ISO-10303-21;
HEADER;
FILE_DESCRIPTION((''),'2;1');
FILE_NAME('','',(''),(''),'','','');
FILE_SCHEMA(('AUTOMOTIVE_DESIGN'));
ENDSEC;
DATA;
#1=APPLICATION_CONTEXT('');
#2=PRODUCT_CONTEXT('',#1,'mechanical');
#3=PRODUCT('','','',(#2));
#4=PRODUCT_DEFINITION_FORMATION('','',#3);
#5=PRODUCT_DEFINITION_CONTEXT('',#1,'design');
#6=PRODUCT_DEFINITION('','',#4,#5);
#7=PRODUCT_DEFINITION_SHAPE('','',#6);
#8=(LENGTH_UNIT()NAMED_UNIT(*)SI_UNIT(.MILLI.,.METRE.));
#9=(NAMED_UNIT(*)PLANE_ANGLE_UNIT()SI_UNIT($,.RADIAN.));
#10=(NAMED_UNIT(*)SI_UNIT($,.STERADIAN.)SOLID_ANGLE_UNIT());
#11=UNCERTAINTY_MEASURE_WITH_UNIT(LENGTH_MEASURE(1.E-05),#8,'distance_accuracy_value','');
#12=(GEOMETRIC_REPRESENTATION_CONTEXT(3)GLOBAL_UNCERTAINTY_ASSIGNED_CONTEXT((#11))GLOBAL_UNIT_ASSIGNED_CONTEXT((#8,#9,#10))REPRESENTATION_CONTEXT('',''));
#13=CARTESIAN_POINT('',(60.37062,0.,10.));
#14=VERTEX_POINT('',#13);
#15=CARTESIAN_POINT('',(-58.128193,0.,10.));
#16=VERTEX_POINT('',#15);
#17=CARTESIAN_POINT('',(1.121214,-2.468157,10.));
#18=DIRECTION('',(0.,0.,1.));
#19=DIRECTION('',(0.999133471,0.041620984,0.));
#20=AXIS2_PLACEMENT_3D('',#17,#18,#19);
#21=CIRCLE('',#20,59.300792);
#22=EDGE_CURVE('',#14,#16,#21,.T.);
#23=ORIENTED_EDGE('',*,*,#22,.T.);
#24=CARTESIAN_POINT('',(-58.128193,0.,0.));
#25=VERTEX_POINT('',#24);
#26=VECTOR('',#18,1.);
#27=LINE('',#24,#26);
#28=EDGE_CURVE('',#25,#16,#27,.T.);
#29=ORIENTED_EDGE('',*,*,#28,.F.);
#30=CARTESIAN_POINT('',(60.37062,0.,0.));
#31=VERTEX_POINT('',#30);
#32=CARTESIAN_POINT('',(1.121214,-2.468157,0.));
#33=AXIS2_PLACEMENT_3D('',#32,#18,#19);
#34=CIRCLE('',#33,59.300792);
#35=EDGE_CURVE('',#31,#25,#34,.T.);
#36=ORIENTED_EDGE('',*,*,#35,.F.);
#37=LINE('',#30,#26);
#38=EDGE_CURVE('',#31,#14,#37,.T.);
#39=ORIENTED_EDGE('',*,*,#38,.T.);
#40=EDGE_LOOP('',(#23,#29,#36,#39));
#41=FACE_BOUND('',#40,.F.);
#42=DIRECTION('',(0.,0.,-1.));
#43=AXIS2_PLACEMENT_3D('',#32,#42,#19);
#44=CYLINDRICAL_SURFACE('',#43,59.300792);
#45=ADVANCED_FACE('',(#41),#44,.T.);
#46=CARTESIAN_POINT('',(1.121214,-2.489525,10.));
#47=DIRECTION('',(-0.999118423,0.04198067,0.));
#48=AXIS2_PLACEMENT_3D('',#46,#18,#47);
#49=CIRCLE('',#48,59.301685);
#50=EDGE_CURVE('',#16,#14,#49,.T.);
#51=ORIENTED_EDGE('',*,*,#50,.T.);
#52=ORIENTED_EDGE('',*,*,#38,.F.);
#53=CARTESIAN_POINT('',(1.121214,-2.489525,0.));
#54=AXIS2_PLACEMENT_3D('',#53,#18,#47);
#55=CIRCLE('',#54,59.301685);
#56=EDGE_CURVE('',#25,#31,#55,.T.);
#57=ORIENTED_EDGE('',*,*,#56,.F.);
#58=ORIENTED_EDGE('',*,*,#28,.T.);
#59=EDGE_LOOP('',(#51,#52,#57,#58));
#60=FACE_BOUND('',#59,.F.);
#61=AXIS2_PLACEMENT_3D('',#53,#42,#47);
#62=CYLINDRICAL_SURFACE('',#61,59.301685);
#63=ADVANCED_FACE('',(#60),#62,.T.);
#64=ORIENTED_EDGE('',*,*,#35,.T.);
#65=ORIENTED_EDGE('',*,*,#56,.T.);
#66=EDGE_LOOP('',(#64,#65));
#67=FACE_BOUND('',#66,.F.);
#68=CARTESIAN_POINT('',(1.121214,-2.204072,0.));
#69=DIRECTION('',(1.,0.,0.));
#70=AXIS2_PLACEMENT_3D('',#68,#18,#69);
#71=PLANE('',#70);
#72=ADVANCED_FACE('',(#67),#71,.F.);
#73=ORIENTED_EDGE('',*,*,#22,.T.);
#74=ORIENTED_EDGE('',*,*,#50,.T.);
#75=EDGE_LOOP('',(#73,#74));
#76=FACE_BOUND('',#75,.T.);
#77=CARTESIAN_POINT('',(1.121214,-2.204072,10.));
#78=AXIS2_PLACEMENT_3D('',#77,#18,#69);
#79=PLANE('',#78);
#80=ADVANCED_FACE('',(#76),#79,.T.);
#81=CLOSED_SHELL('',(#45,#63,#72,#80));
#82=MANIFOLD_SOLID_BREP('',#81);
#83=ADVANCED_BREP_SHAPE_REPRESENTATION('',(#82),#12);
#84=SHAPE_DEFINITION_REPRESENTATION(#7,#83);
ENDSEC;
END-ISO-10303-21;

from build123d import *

# Parameters (mm, degrees)
F1_DEPTH = 10


with BuildPart() as f1:
    # F0 (on Top) → F1 (new body)
    with BuildSketch(Plane.XY):
        with BuildLine():
            ThreePointArc((-58.128193, 0), (1.121214, -61.79121), (60.37062, 0))
            ThreePointArc((60.37062, 0), (1.121214, 56.832635), (-58.128193, 0))
        make_face()
    extrude(amount=F1_DEPTH)


solid = f1.part
